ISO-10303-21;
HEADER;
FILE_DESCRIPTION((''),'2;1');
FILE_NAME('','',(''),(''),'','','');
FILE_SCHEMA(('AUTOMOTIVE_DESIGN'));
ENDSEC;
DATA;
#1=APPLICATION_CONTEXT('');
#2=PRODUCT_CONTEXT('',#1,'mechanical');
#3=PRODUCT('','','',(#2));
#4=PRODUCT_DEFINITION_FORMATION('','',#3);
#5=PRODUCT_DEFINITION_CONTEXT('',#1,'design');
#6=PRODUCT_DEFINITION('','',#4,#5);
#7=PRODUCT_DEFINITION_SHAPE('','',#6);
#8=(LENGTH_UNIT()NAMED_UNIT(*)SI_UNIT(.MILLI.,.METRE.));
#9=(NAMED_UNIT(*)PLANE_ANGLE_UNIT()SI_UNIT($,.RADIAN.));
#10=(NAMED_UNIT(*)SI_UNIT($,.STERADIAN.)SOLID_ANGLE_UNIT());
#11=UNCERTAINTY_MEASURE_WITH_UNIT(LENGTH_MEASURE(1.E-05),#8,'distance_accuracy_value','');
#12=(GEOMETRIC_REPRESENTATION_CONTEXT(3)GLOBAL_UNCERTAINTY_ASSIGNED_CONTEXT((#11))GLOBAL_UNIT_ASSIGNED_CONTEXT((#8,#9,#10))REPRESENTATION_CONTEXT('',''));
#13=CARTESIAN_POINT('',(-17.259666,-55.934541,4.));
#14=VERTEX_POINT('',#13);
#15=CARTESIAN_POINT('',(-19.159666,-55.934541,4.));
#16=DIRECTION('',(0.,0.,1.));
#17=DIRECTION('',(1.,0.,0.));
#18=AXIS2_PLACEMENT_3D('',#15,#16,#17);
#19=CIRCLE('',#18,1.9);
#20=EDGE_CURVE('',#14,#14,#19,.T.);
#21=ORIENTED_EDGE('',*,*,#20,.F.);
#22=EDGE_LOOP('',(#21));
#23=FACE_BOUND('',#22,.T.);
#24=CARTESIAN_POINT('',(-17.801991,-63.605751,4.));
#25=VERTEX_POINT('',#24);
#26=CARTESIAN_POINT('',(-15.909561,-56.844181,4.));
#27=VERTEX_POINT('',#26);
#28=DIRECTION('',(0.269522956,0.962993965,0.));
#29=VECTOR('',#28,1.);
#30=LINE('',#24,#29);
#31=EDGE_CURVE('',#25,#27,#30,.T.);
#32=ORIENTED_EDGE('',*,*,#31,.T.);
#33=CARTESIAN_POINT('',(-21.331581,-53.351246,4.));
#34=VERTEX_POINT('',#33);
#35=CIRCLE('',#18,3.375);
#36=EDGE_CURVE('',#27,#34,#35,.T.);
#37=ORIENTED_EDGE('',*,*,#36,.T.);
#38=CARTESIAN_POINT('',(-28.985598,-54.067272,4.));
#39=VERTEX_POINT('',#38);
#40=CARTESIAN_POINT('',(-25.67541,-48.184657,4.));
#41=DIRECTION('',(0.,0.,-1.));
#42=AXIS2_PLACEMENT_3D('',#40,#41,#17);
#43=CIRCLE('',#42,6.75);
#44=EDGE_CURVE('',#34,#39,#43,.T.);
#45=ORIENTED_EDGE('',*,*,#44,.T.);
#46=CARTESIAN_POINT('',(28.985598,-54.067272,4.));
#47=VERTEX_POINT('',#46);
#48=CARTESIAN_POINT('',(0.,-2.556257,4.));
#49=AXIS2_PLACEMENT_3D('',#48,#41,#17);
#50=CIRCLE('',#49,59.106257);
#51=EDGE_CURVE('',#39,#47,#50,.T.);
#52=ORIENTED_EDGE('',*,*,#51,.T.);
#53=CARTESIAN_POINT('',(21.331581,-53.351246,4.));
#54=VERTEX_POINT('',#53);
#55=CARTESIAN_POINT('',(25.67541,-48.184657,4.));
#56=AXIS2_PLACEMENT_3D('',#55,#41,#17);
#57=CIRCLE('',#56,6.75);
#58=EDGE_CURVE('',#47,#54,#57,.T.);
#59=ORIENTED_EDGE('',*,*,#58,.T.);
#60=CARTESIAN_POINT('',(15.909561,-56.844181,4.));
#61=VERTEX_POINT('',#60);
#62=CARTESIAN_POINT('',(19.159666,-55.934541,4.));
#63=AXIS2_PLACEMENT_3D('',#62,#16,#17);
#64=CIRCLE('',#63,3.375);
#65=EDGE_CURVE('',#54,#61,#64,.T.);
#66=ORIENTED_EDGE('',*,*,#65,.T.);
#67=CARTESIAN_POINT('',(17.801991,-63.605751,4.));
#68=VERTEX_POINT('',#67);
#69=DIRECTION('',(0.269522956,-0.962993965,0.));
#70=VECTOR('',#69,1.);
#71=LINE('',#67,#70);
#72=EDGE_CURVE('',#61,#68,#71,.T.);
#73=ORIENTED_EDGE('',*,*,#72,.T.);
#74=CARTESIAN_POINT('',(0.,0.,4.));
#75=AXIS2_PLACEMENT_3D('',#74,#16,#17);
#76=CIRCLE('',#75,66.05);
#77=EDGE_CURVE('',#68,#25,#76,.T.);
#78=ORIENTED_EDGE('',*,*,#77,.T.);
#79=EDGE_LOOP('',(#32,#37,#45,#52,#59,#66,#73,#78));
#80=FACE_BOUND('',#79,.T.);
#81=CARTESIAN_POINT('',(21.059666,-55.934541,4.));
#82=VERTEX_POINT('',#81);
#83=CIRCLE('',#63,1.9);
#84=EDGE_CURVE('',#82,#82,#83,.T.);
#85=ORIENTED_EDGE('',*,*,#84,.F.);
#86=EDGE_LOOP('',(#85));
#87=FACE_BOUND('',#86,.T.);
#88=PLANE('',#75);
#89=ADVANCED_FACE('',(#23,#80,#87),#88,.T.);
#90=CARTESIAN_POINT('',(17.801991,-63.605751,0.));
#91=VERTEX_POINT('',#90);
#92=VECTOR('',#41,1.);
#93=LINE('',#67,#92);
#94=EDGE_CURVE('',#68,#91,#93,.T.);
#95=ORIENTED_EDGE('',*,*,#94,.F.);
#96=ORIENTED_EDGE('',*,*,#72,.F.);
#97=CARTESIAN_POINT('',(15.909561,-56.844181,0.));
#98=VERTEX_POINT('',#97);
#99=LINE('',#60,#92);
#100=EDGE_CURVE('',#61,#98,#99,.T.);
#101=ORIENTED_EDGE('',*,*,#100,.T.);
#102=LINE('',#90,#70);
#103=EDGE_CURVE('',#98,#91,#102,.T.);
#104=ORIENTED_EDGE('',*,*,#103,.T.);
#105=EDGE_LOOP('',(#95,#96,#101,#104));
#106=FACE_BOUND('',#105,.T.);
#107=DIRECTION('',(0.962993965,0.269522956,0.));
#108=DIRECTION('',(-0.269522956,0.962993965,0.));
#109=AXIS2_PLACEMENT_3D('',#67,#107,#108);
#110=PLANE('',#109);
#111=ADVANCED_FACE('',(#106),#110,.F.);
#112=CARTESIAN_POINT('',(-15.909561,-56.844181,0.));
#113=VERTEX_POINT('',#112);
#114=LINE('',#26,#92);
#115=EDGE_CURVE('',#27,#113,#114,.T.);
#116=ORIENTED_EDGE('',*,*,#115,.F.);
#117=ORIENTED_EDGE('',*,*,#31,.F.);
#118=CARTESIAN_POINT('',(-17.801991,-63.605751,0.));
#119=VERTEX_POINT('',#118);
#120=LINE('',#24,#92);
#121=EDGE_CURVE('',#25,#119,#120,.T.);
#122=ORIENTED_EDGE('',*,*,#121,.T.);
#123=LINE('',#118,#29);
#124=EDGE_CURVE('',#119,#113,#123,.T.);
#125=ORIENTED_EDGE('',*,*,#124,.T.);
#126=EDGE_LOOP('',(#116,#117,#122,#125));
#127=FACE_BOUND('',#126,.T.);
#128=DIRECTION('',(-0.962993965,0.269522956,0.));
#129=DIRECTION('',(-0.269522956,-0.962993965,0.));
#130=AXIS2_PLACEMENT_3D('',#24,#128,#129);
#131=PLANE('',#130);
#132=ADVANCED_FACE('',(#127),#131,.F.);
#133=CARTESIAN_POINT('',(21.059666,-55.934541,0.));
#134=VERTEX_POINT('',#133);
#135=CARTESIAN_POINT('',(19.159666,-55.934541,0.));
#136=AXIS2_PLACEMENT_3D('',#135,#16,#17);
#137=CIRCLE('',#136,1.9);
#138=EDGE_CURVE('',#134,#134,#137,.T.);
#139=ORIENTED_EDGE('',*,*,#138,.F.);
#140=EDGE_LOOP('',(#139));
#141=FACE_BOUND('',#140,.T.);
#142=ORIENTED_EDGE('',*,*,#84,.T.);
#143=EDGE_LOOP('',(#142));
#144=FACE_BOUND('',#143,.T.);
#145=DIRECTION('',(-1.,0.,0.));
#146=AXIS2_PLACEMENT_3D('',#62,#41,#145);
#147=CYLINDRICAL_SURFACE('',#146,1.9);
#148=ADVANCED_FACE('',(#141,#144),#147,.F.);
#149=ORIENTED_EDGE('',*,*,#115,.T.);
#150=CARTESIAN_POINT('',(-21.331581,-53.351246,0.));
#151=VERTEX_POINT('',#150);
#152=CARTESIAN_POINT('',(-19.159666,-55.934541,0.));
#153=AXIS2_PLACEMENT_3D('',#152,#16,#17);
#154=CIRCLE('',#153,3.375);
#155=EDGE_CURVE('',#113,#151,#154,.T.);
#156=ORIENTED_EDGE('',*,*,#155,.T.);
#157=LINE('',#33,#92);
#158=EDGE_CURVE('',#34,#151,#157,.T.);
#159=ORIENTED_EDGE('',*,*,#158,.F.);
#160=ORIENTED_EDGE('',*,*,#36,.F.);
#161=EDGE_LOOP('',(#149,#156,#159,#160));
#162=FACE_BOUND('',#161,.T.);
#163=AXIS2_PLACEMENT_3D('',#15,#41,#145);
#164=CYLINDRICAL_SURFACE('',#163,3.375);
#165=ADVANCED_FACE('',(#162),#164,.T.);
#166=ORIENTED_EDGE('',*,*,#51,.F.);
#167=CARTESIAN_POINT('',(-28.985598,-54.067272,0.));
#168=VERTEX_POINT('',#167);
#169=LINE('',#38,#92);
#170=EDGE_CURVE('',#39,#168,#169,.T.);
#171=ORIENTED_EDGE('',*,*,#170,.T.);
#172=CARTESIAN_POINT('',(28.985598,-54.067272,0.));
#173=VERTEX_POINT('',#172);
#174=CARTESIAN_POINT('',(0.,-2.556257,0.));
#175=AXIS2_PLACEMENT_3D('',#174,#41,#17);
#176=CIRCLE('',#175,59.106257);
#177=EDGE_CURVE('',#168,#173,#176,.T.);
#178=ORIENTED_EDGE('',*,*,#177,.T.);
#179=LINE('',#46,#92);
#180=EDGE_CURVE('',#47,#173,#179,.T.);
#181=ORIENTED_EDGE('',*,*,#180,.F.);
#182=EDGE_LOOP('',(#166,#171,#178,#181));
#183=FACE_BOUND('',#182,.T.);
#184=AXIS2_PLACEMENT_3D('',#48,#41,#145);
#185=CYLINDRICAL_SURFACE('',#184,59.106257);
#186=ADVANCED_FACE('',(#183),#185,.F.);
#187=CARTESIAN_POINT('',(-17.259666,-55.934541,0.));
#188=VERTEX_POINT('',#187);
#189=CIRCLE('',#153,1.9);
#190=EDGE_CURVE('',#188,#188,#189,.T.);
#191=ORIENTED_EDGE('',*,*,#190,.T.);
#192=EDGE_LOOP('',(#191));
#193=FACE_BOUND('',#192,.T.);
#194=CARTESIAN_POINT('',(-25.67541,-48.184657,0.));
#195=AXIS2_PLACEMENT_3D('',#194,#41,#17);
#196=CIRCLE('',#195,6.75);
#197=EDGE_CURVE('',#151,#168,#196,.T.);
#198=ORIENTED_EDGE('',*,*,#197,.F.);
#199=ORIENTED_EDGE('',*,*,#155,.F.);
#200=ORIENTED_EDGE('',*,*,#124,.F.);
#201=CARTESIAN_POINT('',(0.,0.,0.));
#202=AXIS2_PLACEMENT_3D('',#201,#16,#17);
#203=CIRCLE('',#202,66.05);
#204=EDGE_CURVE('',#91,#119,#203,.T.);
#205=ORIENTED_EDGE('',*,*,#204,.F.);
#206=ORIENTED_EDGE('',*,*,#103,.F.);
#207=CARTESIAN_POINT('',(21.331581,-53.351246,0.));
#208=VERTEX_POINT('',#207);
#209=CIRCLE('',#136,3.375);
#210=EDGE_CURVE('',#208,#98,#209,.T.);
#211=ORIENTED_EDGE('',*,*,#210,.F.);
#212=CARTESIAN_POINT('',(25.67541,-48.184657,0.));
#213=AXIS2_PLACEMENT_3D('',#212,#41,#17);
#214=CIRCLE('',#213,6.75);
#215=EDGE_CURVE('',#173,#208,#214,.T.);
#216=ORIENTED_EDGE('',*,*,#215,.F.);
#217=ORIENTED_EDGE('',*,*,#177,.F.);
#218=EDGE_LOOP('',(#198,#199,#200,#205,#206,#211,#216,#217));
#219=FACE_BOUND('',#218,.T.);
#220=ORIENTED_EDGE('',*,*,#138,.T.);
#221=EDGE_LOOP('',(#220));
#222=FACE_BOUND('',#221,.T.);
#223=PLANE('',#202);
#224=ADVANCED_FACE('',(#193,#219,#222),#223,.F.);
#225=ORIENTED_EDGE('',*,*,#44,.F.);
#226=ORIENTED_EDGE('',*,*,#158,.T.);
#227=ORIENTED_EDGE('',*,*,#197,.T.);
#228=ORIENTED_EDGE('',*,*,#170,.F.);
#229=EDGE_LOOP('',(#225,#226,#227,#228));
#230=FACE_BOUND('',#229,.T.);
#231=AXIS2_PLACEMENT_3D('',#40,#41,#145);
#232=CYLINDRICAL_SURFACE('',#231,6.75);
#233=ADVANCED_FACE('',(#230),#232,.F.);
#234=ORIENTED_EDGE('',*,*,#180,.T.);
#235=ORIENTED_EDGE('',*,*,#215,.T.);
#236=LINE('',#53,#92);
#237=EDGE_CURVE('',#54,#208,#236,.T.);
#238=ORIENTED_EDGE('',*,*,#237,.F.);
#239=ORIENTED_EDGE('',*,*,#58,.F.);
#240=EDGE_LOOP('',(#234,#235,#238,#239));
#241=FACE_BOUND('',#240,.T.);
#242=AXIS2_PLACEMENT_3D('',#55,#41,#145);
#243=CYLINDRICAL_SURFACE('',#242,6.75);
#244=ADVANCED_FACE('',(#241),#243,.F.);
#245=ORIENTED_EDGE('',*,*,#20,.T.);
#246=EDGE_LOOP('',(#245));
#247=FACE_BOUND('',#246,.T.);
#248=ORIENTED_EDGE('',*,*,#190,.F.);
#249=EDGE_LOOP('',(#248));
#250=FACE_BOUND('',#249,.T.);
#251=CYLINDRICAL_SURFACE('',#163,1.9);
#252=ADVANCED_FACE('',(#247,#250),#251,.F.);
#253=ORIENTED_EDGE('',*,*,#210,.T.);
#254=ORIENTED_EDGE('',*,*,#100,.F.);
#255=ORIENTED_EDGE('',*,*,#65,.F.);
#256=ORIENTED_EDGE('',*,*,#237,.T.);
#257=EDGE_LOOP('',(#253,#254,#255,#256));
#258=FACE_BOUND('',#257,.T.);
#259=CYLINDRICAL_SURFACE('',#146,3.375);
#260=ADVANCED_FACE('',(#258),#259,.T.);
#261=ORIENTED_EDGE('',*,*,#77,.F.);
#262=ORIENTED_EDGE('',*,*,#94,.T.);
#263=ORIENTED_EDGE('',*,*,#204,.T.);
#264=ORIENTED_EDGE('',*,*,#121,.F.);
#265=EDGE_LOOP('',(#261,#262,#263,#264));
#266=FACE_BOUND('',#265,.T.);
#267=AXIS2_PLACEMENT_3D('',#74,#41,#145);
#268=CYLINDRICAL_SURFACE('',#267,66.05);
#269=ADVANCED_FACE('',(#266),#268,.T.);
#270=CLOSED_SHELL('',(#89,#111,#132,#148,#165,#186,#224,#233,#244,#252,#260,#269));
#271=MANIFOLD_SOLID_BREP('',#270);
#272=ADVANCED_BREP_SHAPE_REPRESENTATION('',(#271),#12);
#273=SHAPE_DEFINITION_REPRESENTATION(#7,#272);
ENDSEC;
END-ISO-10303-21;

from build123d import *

# Parameters (mm, degrees)
SKETCH1_R           = 1.9
BOSS_EXTRUDE1_DEPTH = 4


with BuildPart() as part:
    # Sketch1 → Boss-Extrude1 (new body)
    with BuildSketch(Plane.XY):
        with BuildLine():
            Line((17.801991214, -63.605751381), (15.909561323, -56.844180516))
            ThreePointArc((15.909561323, -56.844180516), (17.331888256, -53.097314134), (21.331580773, -53.351245934))
            ThreePointArc((21.331580773, -53.351245934), (25.046699576, -54.90531314), (28.9855978, -54.067271739))
            ThreePointArc((28.9855978, -54.067271739), (0, 56.55), (-28.9855978, -54.067271739))
            ThreePointArc((-28.9855978, -54.067271739), (-25.046699576, -54.90531314), (-21.331580773, -53.351245934))
            ThreePointArc((-21.331580773, -53.351245934), (-17.331888256, -53.097314134), (-15.909561323, -56.844180516))
            Line((-15.909561323, -56.844180516), (-17.801991214, -63.605751381))
            ThreePointArc((-17.801991214, -63.605751381), (0, 66.05), (17.801991214, -63.605751381))
        make_face()
        with Locations((19.159665955, -55.934540541)):
            Circle(SKETCH1_R, mode=Mode.SUBTRACT)
        with Locations((-19.159665955, -55.934540541)):
            Circle(SKETCH1_R, mode=Mode.SUBTRACT)
    extrude(amount=BOSS_EXTRUDE1_DEPTH)


solid = part.part
